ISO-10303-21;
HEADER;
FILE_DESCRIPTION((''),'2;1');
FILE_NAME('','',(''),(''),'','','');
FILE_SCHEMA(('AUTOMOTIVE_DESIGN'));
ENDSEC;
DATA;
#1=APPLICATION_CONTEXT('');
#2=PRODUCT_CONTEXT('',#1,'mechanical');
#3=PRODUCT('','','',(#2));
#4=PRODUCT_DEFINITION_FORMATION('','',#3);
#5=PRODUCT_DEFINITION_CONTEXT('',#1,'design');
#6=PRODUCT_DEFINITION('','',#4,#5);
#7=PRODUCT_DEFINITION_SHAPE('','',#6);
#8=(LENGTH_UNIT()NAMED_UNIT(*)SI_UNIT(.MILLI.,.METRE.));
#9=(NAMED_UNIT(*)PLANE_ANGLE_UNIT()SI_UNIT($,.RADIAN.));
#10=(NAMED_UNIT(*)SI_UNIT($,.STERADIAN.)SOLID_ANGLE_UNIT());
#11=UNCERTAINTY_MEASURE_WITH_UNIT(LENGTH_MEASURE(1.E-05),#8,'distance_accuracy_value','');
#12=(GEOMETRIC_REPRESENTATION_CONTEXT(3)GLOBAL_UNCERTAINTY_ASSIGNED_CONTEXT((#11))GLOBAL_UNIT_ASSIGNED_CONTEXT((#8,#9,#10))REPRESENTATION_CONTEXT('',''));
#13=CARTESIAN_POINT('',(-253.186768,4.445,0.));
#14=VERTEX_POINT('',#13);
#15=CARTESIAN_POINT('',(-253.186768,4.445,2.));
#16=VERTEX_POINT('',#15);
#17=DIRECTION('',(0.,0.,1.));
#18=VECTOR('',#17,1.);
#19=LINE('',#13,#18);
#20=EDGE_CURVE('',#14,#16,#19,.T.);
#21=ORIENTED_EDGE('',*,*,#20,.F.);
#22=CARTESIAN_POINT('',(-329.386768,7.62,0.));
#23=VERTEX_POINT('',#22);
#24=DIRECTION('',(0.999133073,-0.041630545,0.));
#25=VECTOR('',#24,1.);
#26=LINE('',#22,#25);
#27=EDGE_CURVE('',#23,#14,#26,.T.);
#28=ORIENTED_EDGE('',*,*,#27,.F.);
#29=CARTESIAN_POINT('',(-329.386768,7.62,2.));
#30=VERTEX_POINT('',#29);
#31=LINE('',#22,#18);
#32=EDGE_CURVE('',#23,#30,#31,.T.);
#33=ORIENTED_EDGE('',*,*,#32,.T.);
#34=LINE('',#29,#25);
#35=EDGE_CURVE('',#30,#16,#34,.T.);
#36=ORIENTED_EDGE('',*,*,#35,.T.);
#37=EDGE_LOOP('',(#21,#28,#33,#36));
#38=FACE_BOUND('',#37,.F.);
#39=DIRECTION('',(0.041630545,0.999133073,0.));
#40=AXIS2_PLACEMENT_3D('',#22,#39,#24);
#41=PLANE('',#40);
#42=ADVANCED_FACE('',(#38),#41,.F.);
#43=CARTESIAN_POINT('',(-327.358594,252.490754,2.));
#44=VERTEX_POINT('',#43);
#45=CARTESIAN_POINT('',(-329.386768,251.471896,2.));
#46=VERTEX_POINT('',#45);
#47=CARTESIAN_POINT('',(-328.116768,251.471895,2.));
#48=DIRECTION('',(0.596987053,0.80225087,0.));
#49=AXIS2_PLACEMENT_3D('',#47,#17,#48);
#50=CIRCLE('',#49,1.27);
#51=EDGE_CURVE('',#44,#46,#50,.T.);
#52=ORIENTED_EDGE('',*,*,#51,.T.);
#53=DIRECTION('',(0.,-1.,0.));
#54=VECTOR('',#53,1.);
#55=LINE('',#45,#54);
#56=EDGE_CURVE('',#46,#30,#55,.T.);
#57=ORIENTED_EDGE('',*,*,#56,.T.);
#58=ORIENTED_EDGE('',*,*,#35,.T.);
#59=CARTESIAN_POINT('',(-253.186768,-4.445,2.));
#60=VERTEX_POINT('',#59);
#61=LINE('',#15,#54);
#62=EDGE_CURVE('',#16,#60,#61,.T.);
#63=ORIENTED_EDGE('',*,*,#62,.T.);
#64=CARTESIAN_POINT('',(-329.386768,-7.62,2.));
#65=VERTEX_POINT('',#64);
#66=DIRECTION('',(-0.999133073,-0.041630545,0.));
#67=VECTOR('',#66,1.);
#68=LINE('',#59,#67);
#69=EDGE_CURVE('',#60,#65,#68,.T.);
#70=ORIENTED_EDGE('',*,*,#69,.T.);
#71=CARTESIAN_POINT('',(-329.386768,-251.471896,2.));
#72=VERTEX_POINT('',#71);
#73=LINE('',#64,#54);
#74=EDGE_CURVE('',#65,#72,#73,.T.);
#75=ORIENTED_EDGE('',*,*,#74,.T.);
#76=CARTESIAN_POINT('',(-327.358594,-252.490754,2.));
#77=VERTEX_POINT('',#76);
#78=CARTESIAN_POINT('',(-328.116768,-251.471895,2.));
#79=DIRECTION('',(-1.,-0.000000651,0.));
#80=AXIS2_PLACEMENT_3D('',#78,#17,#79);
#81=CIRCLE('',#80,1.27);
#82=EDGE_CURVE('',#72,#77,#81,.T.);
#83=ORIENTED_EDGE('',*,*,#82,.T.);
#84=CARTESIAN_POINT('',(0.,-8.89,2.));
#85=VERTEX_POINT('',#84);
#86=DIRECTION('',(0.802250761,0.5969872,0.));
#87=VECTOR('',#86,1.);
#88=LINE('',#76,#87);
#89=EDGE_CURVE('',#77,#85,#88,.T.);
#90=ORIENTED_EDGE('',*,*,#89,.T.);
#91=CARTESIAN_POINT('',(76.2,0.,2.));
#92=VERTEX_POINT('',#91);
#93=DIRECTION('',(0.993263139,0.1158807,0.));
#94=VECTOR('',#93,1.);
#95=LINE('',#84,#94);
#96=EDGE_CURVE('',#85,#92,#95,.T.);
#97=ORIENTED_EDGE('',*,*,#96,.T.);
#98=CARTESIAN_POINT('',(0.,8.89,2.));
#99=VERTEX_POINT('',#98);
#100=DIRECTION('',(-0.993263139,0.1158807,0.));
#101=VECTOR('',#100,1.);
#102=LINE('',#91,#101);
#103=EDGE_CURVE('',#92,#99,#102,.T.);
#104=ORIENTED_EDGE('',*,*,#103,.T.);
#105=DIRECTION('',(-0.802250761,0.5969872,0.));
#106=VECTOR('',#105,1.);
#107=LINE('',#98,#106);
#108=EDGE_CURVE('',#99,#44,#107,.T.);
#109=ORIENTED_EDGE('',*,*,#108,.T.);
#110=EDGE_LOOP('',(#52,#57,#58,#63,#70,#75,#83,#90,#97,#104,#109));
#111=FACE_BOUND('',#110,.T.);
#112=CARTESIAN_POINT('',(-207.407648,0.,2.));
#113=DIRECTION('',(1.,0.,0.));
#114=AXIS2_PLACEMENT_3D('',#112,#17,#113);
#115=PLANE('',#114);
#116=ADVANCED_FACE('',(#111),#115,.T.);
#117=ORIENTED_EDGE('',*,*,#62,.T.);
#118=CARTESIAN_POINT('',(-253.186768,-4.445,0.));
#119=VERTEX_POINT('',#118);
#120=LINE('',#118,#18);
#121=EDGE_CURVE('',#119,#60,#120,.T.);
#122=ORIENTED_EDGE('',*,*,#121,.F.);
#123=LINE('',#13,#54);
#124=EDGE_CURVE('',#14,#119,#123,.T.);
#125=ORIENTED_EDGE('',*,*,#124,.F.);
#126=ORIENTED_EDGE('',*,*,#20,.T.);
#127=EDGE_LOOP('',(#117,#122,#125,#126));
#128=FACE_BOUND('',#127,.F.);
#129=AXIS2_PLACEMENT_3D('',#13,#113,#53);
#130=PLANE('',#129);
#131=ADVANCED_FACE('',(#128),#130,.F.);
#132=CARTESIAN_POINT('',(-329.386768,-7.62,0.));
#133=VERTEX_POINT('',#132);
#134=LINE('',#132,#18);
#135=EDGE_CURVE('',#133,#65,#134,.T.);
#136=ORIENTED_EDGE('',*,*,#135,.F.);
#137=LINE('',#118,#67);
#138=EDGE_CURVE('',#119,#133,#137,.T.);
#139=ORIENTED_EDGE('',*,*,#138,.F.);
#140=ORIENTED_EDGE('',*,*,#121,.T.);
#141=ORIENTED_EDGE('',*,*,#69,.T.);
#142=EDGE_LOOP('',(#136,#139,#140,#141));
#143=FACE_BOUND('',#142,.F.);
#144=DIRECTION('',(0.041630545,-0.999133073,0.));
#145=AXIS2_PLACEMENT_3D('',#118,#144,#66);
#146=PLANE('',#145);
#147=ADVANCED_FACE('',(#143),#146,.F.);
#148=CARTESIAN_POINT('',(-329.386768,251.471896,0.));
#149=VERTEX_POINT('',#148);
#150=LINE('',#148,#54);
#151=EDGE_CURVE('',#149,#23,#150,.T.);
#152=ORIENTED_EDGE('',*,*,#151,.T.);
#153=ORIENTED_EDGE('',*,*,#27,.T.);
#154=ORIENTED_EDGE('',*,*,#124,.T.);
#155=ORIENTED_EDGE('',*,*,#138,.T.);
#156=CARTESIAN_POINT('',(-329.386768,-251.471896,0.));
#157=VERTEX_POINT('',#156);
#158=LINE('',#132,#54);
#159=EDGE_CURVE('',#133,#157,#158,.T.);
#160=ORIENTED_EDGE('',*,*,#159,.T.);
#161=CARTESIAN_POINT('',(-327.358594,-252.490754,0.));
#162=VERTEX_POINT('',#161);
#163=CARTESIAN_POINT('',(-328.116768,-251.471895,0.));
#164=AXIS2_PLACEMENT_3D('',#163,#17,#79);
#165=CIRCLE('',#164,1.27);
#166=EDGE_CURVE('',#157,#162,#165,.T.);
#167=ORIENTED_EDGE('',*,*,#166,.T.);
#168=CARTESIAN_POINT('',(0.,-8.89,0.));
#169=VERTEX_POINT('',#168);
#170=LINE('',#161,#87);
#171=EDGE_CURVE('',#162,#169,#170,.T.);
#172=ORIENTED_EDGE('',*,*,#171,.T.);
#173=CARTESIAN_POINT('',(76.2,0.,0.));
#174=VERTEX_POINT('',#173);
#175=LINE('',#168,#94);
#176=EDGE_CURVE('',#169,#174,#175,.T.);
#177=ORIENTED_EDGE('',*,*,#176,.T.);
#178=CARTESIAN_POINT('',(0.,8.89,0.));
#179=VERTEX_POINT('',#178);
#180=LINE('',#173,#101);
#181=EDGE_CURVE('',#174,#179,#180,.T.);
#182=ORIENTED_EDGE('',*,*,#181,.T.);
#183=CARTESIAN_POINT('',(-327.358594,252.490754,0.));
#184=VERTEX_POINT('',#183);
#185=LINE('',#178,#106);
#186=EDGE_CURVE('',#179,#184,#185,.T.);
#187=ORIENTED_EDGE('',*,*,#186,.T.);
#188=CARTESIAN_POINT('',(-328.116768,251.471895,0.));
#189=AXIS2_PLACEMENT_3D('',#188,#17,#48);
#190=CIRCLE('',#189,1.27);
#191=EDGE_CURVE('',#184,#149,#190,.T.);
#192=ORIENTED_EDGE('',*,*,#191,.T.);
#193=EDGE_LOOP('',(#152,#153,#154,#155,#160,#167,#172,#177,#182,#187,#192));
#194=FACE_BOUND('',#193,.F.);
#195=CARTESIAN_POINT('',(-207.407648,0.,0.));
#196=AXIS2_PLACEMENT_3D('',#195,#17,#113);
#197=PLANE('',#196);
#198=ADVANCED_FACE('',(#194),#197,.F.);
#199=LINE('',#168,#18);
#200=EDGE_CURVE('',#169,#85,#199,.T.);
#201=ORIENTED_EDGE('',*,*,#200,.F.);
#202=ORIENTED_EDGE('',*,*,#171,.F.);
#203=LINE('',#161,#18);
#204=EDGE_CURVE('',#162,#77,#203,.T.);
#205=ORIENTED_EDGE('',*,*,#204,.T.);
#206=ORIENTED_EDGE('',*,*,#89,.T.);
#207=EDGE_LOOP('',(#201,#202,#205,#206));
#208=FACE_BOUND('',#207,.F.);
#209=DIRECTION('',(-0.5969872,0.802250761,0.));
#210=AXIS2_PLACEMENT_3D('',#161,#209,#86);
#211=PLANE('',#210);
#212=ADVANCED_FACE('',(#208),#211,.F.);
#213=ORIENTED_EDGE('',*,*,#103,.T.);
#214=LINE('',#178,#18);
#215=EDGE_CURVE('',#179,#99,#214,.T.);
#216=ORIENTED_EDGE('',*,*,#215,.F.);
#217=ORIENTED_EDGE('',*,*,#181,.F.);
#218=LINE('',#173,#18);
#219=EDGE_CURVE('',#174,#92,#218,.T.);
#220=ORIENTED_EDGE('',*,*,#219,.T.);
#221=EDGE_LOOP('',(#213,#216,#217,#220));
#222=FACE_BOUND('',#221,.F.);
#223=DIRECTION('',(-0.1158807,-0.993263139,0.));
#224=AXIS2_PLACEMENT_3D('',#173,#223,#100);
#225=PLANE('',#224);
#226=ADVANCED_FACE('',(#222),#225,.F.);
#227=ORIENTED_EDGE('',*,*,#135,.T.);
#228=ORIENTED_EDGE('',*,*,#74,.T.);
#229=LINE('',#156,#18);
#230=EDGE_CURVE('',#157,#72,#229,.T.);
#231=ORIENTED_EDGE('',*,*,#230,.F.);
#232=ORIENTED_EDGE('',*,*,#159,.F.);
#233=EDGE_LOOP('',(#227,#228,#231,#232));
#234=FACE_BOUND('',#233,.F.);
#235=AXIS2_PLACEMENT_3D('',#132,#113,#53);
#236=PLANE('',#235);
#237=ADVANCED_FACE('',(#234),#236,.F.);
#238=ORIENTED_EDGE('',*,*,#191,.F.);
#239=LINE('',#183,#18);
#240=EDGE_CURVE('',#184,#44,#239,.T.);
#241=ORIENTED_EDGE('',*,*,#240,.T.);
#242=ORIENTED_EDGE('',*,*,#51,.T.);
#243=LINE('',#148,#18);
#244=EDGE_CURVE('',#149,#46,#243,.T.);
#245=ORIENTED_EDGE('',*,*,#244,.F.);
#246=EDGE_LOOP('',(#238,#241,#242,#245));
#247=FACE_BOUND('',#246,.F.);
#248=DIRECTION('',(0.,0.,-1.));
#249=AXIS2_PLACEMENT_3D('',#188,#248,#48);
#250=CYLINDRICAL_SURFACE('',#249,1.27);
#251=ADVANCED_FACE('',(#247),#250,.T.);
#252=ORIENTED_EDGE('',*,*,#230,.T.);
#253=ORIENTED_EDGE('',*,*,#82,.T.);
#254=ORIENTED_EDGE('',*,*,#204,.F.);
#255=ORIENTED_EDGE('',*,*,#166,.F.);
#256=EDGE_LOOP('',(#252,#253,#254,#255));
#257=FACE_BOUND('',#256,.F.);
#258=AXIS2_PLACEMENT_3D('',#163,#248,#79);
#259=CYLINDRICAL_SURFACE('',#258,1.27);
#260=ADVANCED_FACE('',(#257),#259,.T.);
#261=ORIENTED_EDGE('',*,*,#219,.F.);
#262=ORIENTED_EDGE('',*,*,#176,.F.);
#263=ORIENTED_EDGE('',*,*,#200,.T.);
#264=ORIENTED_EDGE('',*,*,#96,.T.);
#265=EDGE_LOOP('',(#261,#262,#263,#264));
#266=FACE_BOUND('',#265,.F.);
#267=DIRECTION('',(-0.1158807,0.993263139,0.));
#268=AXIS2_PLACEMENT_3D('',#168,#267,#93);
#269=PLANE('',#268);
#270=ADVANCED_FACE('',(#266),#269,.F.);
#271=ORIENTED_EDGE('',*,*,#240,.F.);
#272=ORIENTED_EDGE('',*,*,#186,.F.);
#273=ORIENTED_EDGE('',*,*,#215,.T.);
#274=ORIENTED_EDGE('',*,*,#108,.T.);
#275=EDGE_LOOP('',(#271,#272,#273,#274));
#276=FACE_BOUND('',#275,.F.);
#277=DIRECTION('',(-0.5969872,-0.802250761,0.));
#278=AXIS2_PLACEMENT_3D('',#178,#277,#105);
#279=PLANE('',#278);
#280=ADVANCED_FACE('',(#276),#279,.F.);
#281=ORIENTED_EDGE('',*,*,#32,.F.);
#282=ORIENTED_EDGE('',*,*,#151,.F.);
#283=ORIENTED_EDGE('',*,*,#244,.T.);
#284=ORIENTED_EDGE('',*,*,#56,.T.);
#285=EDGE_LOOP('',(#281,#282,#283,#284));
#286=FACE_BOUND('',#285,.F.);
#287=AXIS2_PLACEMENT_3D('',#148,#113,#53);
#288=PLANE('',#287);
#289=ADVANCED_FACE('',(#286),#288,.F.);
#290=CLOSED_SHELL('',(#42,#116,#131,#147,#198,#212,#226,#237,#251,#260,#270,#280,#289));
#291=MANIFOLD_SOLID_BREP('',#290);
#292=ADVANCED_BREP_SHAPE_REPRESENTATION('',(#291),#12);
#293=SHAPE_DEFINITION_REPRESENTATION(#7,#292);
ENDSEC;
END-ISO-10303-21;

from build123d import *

# Parameters (mm, degrees)
F1_DEPTH = 2


with BuildPart() as f1:
    # F0 (on Top) → F1 (new body)
    with BuildSketch(Plane.XY):
        with BuildLine():
            Line((76.2, 0), (0, 8.89))
            Line((0, 8.89), (-327.358594, 252.490754))
            ThreePointArc((-327.358594, 252.490754), (-328.686864, 252.606748), (-329.386768, 251.471896))
            Line((-329.386768, 251.471896), (-329.386768, 7.62))
            Line((-329.386768, 7.62), (-253.186768, 4.445))
            Line((-253.186768, 4.445), (-253.186768, 0))
            Line((-253.186768, 0), (-253.186768, -4.445))
            Line((-253.186768, -4.445), (-329.386768, -7.62))
            Line((-329.386768, -7.62), (-329.386768, -251.471896))
            ThreePointArc((-329.386768, -251.471896), (-328.686864, -252.606748), (-327.358594, -252.490754))
            Line((-327.358594, -252.490754), (0, -8.89))
            Line((0, -8.89), (76.2, 0))
        make_face()
    extrude(amount=F1_DEPTH)


solid = f1.part
